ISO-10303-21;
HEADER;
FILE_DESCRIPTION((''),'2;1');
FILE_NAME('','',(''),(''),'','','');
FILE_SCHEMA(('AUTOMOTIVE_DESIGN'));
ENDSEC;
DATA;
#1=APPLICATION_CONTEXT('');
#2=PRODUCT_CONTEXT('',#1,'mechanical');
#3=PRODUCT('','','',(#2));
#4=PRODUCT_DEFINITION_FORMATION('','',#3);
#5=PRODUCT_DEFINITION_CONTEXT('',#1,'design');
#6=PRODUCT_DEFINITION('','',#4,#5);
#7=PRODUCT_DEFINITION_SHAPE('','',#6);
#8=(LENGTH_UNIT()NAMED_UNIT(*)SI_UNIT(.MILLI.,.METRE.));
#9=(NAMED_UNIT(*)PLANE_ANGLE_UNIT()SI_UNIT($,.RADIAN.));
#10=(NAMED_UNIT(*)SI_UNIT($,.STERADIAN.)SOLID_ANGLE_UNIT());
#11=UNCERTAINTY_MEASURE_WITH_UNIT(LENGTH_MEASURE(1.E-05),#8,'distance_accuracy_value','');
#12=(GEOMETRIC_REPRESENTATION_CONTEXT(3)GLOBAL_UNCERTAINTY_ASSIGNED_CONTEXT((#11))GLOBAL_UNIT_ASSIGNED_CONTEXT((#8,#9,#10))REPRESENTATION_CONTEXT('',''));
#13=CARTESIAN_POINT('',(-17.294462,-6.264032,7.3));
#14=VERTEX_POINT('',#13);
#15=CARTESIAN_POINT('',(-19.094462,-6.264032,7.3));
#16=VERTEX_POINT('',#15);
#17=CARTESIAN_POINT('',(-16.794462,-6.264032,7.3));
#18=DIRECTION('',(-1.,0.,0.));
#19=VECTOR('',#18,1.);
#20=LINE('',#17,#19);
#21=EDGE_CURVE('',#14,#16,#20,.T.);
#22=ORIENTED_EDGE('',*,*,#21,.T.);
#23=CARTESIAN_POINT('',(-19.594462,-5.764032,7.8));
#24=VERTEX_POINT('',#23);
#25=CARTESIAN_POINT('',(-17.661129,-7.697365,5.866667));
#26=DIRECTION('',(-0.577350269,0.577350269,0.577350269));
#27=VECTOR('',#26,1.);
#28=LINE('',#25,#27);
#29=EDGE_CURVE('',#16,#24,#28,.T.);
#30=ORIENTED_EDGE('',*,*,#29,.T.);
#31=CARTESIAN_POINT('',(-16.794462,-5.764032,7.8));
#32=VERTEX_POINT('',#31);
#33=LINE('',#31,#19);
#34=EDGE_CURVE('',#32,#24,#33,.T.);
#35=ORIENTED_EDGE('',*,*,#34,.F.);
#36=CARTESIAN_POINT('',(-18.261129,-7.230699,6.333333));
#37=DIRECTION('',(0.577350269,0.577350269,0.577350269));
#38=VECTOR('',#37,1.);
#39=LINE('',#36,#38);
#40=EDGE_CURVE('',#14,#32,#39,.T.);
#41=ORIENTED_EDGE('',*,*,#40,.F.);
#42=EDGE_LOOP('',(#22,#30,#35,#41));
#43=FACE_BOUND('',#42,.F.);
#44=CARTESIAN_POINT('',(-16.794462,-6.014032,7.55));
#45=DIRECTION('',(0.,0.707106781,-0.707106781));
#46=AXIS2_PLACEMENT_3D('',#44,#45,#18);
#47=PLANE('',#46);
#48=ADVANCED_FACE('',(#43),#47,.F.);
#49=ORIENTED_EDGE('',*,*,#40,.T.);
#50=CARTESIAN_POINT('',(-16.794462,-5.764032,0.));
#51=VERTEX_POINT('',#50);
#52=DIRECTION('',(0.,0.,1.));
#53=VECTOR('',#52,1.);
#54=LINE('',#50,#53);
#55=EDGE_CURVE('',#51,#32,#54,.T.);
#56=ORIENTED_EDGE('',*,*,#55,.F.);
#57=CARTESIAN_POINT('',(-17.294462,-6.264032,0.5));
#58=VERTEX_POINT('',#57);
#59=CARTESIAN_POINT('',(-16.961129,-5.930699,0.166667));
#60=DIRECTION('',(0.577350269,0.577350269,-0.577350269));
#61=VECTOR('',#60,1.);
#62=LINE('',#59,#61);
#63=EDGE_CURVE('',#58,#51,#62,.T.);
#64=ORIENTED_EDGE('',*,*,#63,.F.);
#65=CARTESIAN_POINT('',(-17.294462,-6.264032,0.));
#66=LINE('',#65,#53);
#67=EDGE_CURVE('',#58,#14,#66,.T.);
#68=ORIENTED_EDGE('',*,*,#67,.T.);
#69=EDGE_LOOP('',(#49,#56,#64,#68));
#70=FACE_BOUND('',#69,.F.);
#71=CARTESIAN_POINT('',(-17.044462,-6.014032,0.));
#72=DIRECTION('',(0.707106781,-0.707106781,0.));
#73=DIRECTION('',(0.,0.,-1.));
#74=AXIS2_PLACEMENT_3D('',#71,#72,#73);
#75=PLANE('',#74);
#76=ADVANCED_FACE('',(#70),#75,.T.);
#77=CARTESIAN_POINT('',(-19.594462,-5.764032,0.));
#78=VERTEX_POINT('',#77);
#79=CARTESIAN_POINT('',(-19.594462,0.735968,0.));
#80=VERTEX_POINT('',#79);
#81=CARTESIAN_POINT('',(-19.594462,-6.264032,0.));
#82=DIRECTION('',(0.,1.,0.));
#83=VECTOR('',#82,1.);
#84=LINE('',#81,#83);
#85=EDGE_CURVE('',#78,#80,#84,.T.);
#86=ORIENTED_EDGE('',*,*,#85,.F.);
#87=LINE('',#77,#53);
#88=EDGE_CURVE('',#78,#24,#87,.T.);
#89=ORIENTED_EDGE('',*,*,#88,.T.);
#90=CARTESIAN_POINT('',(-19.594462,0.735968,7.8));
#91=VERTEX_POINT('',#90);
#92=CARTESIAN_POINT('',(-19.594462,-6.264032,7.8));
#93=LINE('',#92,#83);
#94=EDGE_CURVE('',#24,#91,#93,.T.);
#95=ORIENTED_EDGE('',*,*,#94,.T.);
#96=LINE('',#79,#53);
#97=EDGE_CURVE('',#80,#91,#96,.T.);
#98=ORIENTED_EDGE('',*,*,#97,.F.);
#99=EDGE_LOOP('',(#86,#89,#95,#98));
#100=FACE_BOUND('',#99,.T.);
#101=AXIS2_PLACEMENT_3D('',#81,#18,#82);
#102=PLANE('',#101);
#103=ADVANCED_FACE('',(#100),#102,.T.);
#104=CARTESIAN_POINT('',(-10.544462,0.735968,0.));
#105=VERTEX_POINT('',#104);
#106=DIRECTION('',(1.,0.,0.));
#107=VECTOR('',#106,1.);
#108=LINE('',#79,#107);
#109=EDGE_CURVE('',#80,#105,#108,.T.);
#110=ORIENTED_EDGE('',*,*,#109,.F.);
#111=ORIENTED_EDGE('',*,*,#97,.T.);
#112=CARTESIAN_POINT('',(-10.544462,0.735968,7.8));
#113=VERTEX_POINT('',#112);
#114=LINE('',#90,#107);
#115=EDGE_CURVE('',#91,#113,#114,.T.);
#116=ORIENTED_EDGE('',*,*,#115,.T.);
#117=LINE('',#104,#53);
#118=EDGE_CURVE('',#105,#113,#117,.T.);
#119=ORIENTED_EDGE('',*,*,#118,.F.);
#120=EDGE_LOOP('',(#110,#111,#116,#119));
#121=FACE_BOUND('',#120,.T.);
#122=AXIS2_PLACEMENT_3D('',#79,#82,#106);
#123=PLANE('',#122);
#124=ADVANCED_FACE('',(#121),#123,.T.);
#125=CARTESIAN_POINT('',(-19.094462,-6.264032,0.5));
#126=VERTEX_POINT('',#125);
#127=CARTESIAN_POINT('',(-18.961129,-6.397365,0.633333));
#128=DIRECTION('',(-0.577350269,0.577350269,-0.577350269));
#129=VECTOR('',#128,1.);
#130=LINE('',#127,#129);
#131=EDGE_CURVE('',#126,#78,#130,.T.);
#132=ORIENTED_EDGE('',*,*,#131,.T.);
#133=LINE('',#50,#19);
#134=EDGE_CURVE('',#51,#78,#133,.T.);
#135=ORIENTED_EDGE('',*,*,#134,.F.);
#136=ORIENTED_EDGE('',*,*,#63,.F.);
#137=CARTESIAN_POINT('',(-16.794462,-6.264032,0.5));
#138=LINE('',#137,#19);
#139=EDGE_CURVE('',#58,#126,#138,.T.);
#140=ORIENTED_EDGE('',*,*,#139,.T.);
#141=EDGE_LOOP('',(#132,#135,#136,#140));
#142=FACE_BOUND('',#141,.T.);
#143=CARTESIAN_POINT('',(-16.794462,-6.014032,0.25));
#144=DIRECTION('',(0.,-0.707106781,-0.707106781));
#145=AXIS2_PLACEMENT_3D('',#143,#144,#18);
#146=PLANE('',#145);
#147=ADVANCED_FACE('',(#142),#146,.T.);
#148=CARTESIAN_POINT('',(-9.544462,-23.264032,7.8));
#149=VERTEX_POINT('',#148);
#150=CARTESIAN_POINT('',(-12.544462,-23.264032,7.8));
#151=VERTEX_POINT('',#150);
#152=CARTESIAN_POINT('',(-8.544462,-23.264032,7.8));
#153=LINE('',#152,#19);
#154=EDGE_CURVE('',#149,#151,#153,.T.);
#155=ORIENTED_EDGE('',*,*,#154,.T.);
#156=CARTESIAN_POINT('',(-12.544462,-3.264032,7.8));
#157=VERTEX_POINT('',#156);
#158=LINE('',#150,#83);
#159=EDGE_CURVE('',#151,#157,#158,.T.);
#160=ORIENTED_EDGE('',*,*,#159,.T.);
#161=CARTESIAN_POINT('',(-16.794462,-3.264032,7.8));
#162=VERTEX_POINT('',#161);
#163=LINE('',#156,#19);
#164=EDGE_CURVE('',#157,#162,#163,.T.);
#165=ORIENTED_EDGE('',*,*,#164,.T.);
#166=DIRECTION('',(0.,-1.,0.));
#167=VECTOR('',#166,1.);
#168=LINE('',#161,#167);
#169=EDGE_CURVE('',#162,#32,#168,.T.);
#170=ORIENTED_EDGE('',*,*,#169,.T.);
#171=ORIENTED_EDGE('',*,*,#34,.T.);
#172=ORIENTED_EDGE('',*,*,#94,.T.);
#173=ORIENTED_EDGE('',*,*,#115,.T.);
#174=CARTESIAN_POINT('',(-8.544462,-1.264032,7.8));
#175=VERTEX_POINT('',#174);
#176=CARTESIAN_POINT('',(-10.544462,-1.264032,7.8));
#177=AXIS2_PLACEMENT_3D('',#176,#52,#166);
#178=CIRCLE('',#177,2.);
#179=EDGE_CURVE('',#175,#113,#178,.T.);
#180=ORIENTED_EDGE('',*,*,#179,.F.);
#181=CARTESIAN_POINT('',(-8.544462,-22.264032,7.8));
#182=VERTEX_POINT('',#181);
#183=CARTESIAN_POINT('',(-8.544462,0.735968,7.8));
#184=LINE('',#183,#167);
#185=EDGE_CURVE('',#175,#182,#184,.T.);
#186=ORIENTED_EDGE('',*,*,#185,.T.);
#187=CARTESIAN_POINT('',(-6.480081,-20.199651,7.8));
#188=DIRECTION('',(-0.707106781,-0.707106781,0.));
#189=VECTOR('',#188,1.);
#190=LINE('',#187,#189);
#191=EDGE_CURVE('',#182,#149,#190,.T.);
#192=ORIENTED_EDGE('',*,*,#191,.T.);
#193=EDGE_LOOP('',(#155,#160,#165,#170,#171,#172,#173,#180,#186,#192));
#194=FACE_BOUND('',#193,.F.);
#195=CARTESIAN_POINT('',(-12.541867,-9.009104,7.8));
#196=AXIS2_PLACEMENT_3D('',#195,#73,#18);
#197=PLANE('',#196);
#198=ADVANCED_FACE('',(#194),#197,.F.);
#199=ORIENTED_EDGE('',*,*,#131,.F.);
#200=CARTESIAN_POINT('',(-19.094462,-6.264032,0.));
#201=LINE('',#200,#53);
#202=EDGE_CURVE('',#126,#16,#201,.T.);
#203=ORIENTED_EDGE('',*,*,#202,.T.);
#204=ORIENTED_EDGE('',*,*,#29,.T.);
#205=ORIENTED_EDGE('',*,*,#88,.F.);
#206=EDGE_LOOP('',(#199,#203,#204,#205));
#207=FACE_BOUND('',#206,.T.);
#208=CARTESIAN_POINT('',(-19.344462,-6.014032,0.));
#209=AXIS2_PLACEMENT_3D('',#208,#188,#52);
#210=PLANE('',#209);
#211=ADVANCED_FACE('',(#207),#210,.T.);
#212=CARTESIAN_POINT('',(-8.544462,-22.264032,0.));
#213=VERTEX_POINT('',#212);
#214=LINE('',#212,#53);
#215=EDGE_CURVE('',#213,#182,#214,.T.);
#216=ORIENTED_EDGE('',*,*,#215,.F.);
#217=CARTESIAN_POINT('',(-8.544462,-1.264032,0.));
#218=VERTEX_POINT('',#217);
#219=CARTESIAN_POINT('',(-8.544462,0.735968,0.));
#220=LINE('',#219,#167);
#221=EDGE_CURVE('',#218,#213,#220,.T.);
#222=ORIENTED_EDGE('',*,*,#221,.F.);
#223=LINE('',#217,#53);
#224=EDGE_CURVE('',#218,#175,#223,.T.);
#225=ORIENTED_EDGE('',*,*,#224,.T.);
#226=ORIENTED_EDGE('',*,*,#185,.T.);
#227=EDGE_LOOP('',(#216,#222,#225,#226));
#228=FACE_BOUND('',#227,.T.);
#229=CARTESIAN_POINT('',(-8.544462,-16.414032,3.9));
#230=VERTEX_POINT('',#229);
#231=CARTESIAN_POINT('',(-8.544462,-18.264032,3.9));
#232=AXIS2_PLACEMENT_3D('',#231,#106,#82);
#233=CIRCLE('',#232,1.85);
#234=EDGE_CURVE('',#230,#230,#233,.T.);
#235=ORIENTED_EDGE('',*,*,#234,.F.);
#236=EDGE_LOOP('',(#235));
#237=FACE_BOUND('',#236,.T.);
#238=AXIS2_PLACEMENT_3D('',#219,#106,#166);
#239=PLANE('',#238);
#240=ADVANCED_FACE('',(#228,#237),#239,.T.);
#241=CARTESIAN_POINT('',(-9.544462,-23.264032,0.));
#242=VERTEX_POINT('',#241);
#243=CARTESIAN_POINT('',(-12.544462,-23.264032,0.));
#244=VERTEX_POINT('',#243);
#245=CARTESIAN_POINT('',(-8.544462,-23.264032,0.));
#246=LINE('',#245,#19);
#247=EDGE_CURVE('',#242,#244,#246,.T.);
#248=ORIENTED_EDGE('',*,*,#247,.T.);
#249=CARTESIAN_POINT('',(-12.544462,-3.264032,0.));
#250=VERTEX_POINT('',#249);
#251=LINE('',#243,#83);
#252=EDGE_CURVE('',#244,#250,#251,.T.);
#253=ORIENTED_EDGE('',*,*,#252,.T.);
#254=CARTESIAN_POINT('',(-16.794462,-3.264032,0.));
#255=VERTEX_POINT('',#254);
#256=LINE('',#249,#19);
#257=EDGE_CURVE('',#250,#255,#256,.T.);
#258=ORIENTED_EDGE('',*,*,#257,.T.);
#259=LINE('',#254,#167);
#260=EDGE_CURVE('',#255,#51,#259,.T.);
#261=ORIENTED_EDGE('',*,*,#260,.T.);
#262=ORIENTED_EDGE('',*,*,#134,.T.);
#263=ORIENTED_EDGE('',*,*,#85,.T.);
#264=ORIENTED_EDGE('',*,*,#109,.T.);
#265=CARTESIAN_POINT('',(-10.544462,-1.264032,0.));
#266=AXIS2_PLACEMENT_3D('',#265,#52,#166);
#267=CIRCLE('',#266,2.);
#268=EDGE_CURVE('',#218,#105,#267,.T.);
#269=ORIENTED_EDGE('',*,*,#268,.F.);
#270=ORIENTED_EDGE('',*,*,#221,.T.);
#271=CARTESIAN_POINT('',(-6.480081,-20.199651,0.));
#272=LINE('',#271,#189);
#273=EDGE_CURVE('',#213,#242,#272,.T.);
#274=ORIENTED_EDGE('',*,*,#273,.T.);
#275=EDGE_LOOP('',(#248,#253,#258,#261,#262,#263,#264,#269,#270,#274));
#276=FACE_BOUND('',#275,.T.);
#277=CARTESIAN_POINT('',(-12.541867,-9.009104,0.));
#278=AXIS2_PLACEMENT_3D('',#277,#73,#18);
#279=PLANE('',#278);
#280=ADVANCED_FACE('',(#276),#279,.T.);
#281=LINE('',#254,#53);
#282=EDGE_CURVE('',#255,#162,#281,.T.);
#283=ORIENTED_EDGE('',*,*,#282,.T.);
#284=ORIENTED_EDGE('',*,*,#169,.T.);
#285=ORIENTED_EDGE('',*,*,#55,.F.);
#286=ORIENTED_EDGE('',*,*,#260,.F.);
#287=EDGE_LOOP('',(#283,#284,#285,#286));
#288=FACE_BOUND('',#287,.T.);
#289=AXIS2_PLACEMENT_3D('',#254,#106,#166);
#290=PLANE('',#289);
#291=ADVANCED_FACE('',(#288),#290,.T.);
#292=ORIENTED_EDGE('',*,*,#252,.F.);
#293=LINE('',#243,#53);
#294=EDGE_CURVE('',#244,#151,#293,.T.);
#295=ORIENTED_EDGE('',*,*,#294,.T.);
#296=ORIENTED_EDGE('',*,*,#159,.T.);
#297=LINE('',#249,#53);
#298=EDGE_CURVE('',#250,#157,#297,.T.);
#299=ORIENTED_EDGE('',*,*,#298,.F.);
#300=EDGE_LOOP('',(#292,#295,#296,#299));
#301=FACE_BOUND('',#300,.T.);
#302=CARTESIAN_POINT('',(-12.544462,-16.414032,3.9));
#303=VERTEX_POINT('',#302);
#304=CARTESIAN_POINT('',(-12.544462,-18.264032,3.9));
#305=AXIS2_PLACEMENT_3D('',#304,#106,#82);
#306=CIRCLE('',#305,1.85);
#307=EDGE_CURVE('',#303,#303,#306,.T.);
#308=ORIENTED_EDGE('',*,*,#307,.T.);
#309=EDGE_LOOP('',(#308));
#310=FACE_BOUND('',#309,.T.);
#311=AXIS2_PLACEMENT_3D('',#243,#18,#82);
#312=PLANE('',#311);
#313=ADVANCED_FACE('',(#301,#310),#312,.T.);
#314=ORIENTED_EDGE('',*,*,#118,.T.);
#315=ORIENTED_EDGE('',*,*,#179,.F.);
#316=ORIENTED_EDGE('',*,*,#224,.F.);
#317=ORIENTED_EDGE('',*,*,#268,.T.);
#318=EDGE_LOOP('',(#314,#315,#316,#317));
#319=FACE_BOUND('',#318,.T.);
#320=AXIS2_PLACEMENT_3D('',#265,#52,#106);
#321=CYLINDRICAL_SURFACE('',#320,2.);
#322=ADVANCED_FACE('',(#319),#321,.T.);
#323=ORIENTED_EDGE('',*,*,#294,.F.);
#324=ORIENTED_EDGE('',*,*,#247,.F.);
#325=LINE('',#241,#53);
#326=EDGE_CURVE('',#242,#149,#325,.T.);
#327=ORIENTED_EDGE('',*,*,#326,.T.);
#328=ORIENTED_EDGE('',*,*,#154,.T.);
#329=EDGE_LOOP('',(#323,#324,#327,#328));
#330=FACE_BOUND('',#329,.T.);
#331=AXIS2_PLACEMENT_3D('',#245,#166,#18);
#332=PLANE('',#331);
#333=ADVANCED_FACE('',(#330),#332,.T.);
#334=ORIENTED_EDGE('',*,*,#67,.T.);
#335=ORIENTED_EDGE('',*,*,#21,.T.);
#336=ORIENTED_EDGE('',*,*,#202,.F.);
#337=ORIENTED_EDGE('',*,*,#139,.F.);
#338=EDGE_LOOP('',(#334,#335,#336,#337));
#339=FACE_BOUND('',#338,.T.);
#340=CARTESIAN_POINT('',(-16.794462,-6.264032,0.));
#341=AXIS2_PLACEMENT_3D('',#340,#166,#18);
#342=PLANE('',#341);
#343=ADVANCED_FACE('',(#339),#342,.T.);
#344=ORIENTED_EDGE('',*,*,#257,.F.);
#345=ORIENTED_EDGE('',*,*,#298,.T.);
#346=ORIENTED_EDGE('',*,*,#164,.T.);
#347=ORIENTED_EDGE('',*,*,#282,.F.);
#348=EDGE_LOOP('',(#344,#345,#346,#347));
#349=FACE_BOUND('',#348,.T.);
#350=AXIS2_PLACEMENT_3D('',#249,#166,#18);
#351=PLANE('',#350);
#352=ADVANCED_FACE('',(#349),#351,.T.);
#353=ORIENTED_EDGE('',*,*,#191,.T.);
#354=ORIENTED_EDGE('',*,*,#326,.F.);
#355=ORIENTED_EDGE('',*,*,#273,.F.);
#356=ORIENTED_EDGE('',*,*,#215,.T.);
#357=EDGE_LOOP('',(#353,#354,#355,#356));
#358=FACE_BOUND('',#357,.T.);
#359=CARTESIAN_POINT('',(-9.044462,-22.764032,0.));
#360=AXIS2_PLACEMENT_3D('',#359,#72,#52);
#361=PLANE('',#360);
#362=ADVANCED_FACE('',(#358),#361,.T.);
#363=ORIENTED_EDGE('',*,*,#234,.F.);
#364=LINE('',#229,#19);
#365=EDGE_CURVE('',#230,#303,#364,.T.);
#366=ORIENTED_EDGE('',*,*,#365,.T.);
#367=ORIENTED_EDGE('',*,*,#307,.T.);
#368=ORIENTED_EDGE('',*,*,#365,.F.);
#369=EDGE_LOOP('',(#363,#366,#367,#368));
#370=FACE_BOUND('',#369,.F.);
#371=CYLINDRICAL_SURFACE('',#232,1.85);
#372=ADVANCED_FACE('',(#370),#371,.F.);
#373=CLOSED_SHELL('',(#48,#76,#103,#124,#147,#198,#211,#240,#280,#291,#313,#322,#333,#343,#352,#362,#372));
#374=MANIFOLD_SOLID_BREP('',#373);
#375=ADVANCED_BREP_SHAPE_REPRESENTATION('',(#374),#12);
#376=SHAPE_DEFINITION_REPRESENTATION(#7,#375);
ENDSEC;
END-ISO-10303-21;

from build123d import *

# Parameters (mm, degrees)
PAD_DEPTH       = 7.8
SKETCH001_R     = 1.85
POCKET_DEPTH    = 5
CHAMFER_SIZE    = 0.5
CHAMFER001_SIZE = 1
FILLET_R        = 2


with BuildPart() as part:
    # Sketch → Pad (new body)
    with BuildSketch(Plane.XY):
        Polygon((-16.794462, -6.264032), (-19.594462, -6.264032), (-19.594462, 0.735968), (-8.544462, 0.735968), (-8.544462, -23.264032), (-12.544462, -23.264032), (-12.544462, -3.264032), (-16.794462, -3.264032), align=None)
    extrude(amount=PAD_DEPTH)

    # Sketch001 (on Face4 of Pad) → Pocket (cut)
    with BuildSketch(Plane.YZ.offset(-8.544462)):
        with Locations((-18.264032, 3.9)):
            Circle(SKETCH001_R)
    extrude(amount=-POCKET_DEPTH, mode=Mode.SUBTRACT)

    # Chamfer
    chamfer_edges = [part.edges().sort_by_distance(p)[0] for p in [
        (-16.794462, -6.264032, 3.9),
        (-18.194462, -6.264032, 0),
        (-19.594462, -6.264032, 3.9),
        (-18.194462, -6.264032, 7.8),
    ]]
    chamfer(chamfer_edges, length=CHAMFER_SIZE)

    # Chamfer001
    chamfer001_edges = [part.edges().sort_by_distance(p)[0] for p in [
        (-8.544462, -23.264032, 3.9),
    ]]
    chamfer(chamfer001_edges, length=CHAMFER001_SIZE)

    # Fillet
    fillet_edges = [part.edges().sort_by_distance(p)[0] for p in [
        (-8.544462, 0.735968, 3.9),
    ]]
    fillet(fillet_edges, radius=FILLET_R)


solid = part.part
